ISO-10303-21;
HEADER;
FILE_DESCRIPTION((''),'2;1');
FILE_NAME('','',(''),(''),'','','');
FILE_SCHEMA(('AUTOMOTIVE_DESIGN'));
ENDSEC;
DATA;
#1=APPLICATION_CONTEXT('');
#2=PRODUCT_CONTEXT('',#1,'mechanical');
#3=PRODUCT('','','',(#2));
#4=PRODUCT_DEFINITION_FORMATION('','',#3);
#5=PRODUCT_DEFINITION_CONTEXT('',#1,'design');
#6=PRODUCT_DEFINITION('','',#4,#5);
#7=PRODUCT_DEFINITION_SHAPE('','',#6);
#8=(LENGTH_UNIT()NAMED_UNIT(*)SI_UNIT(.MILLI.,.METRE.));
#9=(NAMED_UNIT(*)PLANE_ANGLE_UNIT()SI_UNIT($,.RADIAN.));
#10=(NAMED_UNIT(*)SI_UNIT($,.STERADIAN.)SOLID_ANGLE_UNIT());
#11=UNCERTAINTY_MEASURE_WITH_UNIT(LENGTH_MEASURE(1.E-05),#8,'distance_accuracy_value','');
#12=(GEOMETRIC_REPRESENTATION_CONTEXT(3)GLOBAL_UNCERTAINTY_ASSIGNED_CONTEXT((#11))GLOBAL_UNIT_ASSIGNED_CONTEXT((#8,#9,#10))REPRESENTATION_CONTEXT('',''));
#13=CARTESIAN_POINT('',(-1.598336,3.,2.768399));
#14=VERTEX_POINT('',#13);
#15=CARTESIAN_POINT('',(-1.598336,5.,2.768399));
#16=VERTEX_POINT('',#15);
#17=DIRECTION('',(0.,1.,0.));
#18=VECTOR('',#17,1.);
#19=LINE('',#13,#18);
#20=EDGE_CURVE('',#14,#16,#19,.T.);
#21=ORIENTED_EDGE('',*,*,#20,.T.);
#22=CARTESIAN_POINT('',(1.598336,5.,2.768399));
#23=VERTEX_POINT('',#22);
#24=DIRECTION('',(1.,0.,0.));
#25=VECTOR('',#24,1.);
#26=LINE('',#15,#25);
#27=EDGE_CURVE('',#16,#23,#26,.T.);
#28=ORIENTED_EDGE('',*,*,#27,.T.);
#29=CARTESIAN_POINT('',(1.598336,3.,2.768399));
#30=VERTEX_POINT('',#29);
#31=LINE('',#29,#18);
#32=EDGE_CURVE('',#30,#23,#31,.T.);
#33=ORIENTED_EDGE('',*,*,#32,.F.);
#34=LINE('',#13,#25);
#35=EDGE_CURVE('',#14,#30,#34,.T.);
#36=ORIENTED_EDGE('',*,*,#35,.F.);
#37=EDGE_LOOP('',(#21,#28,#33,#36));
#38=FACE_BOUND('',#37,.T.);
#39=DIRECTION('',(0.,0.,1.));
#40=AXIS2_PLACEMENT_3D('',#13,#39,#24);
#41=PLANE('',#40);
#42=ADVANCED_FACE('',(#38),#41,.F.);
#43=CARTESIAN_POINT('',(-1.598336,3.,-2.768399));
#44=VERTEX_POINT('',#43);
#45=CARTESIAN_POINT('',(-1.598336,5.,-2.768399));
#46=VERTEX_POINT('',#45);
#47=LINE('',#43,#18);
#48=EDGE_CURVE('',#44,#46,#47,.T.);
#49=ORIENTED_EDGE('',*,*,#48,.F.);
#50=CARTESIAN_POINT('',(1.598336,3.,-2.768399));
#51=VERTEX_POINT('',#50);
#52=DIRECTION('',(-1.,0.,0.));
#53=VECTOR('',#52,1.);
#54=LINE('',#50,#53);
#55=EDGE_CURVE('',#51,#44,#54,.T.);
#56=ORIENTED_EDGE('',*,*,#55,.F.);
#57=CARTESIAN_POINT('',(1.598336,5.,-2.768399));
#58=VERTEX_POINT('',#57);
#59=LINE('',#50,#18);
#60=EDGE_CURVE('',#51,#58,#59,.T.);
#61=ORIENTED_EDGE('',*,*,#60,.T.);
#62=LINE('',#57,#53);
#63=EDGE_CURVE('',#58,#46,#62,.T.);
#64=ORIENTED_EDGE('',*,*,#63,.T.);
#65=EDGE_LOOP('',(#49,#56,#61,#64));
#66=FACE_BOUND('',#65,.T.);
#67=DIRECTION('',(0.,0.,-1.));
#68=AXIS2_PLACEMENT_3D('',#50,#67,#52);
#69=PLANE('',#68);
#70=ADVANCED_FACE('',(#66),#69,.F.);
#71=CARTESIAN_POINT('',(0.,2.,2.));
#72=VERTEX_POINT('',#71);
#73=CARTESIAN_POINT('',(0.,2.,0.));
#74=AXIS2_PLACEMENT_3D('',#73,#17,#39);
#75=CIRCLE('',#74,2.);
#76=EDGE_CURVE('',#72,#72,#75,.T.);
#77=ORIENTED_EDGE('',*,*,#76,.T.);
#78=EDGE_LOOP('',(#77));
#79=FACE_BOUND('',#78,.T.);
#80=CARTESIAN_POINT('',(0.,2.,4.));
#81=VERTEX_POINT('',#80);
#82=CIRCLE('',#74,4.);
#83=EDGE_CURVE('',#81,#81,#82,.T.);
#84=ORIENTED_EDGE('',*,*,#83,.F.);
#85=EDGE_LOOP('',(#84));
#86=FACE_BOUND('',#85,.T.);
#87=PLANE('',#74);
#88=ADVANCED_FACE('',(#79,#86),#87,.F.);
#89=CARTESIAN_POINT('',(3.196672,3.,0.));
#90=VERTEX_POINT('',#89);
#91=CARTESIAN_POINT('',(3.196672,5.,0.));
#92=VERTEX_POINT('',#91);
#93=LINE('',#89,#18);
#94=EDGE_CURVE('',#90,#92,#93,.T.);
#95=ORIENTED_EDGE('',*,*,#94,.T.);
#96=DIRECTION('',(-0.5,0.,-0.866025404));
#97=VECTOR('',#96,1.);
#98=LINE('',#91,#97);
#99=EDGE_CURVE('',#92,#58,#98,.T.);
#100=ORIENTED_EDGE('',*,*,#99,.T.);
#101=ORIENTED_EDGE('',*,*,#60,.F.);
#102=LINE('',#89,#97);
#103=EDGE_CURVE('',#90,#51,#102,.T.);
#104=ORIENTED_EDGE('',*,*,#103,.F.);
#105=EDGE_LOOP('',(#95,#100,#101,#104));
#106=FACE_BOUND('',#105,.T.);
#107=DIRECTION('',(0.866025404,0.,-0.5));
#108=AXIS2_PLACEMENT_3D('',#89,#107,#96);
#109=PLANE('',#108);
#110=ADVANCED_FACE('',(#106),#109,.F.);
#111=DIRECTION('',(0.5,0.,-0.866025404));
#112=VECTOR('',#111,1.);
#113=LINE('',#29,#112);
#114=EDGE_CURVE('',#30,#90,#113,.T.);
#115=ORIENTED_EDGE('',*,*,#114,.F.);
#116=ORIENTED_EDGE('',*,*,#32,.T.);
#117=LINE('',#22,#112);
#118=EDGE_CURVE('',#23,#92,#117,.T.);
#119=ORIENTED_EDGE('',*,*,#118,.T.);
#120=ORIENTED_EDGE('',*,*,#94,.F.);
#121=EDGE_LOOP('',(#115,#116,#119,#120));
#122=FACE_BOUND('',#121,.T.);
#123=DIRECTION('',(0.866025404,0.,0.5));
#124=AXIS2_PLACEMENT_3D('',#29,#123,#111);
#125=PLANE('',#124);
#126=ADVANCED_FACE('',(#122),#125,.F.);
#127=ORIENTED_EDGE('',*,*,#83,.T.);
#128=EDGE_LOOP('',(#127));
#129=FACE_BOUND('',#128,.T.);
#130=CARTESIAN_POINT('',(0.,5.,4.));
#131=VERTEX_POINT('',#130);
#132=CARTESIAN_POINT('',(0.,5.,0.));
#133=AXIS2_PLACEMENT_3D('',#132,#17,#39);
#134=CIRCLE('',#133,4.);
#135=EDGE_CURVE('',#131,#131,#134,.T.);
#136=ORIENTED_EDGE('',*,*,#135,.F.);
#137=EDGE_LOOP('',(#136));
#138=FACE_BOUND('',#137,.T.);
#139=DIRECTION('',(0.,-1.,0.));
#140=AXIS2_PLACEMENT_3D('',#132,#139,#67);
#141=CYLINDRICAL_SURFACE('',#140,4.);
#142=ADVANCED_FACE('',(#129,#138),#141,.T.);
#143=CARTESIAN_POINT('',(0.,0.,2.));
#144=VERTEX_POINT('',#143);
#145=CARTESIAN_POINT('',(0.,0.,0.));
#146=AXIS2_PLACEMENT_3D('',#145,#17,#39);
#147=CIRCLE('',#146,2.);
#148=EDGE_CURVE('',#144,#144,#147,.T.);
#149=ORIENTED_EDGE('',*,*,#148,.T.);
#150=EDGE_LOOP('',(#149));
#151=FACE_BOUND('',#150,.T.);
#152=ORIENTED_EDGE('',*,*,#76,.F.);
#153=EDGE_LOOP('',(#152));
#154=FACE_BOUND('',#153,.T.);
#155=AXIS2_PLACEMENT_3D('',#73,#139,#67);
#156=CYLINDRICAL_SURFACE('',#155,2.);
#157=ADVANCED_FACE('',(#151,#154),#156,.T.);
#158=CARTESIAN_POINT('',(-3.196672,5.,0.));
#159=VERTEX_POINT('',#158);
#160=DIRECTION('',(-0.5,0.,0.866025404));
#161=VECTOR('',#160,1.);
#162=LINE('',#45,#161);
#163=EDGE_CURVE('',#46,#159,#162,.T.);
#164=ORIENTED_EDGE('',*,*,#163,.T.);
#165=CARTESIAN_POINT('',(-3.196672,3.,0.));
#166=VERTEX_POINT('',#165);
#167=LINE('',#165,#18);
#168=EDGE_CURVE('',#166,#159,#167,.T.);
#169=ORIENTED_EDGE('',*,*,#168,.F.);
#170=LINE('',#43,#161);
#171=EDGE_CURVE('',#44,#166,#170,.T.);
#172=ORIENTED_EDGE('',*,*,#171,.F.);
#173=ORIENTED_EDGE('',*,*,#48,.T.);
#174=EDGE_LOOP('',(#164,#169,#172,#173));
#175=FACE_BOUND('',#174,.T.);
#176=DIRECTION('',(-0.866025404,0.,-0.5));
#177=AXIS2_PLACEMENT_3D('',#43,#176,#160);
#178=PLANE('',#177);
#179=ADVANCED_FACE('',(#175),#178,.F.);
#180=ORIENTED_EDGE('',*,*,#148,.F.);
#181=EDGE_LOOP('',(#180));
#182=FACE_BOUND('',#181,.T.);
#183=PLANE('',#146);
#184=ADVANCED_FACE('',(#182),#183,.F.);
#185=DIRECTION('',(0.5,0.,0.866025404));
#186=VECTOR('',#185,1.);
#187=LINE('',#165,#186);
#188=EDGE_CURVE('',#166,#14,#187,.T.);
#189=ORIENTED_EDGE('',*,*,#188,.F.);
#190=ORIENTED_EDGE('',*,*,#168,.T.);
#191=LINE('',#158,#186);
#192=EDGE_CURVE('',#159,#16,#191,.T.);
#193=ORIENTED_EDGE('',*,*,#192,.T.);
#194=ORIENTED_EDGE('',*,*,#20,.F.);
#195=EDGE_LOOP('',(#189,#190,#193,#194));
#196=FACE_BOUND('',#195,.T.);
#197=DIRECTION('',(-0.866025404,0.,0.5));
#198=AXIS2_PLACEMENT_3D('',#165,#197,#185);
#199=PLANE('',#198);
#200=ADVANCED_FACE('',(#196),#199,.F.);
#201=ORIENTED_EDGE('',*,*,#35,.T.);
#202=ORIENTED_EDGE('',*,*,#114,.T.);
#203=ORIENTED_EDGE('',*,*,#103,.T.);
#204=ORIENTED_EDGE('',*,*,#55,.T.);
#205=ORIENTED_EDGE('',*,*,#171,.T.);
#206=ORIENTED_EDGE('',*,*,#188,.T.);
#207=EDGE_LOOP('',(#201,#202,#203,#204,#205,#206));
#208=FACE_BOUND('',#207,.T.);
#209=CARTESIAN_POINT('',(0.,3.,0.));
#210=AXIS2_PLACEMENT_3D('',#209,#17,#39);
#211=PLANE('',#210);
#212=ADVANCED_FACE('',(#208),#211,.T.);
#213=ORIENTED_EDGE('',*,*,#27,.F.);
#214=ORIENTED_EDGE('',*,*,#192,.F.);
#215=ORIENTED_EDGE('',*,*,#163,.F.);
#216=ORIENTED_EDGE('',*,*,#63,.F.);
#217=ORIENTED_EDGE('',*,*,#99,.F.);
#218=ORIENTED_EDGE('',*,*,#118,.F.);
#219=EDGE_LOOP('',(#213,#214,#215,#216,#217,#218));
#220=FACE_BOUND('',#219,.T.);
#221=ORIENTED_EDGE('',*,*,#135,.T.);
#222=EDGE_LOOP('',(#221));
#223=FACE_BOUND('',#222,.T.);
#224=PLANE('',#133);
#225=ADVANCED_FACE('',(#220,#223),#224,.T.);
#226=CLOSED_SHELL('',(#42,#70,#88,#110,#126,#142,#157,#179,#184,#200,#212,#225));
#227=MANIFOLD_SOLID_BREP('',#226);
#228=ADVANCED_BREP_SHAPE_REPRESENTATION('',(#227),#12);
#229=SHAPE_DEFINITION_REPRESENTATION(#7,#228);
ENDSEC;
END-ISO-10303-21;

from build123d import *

# Parameters (mm, degrees)
SKETCH1_R           = 2
BOSS_EXTRUDE1_DEPTH = 2
SKETCH2_R           = 4
BOSS_EXTRUDE2_DEPTH = 3
CUT_EXTRUDE1_DEPTH  = 2


with BuildPart() as part:
    # Sketch1 → Boss-Extrude1 (new body)
    with BuildSketch(Plane(origin=(0, 0, 0), x_dir=(1, 0, 0), z_dir=(0, 1, 0))):
        with Locations(Location((0, 0, 0), (0, 0, 270))):
            Circle(SKETCH1_R)
    extrude(amount=BOSS_EXTRUDE1_DEPTH)

    # Sketch2 → Boss-Extrude2 (add)
    with BuildSketch(Plane(origin=(0, 2, 0), x_dir=(1, 0, 0), z_dir=(0, 1, 0))):
        with Locations(Location((0, 0, 0), (0, 0, 270))):
            Circle(SKETCH2_R)
    extrude(amount=BOSS_EXTRUDE2_DEPTH)

    # Sketch3 → Cut-Extrude1 (cut)
    with BuildSketch(Plane(origin=(0, 5, 0), x_dir=(1, 0, 0), z_dir=(0, 1, 0))):
        Polygon((3.19667155, 0), (1.598335775, 2.76839877), (-1.598335775, 2.76839877), (-3.19667155, 0), (-1.598335775, -2.76839877), (1.598335775, -2.76839877), align=None)
    extrude(amount=-CUT_EXTRUDE1_DEPTH, mode=Mode.SUBTRACT)


solid = part.part
